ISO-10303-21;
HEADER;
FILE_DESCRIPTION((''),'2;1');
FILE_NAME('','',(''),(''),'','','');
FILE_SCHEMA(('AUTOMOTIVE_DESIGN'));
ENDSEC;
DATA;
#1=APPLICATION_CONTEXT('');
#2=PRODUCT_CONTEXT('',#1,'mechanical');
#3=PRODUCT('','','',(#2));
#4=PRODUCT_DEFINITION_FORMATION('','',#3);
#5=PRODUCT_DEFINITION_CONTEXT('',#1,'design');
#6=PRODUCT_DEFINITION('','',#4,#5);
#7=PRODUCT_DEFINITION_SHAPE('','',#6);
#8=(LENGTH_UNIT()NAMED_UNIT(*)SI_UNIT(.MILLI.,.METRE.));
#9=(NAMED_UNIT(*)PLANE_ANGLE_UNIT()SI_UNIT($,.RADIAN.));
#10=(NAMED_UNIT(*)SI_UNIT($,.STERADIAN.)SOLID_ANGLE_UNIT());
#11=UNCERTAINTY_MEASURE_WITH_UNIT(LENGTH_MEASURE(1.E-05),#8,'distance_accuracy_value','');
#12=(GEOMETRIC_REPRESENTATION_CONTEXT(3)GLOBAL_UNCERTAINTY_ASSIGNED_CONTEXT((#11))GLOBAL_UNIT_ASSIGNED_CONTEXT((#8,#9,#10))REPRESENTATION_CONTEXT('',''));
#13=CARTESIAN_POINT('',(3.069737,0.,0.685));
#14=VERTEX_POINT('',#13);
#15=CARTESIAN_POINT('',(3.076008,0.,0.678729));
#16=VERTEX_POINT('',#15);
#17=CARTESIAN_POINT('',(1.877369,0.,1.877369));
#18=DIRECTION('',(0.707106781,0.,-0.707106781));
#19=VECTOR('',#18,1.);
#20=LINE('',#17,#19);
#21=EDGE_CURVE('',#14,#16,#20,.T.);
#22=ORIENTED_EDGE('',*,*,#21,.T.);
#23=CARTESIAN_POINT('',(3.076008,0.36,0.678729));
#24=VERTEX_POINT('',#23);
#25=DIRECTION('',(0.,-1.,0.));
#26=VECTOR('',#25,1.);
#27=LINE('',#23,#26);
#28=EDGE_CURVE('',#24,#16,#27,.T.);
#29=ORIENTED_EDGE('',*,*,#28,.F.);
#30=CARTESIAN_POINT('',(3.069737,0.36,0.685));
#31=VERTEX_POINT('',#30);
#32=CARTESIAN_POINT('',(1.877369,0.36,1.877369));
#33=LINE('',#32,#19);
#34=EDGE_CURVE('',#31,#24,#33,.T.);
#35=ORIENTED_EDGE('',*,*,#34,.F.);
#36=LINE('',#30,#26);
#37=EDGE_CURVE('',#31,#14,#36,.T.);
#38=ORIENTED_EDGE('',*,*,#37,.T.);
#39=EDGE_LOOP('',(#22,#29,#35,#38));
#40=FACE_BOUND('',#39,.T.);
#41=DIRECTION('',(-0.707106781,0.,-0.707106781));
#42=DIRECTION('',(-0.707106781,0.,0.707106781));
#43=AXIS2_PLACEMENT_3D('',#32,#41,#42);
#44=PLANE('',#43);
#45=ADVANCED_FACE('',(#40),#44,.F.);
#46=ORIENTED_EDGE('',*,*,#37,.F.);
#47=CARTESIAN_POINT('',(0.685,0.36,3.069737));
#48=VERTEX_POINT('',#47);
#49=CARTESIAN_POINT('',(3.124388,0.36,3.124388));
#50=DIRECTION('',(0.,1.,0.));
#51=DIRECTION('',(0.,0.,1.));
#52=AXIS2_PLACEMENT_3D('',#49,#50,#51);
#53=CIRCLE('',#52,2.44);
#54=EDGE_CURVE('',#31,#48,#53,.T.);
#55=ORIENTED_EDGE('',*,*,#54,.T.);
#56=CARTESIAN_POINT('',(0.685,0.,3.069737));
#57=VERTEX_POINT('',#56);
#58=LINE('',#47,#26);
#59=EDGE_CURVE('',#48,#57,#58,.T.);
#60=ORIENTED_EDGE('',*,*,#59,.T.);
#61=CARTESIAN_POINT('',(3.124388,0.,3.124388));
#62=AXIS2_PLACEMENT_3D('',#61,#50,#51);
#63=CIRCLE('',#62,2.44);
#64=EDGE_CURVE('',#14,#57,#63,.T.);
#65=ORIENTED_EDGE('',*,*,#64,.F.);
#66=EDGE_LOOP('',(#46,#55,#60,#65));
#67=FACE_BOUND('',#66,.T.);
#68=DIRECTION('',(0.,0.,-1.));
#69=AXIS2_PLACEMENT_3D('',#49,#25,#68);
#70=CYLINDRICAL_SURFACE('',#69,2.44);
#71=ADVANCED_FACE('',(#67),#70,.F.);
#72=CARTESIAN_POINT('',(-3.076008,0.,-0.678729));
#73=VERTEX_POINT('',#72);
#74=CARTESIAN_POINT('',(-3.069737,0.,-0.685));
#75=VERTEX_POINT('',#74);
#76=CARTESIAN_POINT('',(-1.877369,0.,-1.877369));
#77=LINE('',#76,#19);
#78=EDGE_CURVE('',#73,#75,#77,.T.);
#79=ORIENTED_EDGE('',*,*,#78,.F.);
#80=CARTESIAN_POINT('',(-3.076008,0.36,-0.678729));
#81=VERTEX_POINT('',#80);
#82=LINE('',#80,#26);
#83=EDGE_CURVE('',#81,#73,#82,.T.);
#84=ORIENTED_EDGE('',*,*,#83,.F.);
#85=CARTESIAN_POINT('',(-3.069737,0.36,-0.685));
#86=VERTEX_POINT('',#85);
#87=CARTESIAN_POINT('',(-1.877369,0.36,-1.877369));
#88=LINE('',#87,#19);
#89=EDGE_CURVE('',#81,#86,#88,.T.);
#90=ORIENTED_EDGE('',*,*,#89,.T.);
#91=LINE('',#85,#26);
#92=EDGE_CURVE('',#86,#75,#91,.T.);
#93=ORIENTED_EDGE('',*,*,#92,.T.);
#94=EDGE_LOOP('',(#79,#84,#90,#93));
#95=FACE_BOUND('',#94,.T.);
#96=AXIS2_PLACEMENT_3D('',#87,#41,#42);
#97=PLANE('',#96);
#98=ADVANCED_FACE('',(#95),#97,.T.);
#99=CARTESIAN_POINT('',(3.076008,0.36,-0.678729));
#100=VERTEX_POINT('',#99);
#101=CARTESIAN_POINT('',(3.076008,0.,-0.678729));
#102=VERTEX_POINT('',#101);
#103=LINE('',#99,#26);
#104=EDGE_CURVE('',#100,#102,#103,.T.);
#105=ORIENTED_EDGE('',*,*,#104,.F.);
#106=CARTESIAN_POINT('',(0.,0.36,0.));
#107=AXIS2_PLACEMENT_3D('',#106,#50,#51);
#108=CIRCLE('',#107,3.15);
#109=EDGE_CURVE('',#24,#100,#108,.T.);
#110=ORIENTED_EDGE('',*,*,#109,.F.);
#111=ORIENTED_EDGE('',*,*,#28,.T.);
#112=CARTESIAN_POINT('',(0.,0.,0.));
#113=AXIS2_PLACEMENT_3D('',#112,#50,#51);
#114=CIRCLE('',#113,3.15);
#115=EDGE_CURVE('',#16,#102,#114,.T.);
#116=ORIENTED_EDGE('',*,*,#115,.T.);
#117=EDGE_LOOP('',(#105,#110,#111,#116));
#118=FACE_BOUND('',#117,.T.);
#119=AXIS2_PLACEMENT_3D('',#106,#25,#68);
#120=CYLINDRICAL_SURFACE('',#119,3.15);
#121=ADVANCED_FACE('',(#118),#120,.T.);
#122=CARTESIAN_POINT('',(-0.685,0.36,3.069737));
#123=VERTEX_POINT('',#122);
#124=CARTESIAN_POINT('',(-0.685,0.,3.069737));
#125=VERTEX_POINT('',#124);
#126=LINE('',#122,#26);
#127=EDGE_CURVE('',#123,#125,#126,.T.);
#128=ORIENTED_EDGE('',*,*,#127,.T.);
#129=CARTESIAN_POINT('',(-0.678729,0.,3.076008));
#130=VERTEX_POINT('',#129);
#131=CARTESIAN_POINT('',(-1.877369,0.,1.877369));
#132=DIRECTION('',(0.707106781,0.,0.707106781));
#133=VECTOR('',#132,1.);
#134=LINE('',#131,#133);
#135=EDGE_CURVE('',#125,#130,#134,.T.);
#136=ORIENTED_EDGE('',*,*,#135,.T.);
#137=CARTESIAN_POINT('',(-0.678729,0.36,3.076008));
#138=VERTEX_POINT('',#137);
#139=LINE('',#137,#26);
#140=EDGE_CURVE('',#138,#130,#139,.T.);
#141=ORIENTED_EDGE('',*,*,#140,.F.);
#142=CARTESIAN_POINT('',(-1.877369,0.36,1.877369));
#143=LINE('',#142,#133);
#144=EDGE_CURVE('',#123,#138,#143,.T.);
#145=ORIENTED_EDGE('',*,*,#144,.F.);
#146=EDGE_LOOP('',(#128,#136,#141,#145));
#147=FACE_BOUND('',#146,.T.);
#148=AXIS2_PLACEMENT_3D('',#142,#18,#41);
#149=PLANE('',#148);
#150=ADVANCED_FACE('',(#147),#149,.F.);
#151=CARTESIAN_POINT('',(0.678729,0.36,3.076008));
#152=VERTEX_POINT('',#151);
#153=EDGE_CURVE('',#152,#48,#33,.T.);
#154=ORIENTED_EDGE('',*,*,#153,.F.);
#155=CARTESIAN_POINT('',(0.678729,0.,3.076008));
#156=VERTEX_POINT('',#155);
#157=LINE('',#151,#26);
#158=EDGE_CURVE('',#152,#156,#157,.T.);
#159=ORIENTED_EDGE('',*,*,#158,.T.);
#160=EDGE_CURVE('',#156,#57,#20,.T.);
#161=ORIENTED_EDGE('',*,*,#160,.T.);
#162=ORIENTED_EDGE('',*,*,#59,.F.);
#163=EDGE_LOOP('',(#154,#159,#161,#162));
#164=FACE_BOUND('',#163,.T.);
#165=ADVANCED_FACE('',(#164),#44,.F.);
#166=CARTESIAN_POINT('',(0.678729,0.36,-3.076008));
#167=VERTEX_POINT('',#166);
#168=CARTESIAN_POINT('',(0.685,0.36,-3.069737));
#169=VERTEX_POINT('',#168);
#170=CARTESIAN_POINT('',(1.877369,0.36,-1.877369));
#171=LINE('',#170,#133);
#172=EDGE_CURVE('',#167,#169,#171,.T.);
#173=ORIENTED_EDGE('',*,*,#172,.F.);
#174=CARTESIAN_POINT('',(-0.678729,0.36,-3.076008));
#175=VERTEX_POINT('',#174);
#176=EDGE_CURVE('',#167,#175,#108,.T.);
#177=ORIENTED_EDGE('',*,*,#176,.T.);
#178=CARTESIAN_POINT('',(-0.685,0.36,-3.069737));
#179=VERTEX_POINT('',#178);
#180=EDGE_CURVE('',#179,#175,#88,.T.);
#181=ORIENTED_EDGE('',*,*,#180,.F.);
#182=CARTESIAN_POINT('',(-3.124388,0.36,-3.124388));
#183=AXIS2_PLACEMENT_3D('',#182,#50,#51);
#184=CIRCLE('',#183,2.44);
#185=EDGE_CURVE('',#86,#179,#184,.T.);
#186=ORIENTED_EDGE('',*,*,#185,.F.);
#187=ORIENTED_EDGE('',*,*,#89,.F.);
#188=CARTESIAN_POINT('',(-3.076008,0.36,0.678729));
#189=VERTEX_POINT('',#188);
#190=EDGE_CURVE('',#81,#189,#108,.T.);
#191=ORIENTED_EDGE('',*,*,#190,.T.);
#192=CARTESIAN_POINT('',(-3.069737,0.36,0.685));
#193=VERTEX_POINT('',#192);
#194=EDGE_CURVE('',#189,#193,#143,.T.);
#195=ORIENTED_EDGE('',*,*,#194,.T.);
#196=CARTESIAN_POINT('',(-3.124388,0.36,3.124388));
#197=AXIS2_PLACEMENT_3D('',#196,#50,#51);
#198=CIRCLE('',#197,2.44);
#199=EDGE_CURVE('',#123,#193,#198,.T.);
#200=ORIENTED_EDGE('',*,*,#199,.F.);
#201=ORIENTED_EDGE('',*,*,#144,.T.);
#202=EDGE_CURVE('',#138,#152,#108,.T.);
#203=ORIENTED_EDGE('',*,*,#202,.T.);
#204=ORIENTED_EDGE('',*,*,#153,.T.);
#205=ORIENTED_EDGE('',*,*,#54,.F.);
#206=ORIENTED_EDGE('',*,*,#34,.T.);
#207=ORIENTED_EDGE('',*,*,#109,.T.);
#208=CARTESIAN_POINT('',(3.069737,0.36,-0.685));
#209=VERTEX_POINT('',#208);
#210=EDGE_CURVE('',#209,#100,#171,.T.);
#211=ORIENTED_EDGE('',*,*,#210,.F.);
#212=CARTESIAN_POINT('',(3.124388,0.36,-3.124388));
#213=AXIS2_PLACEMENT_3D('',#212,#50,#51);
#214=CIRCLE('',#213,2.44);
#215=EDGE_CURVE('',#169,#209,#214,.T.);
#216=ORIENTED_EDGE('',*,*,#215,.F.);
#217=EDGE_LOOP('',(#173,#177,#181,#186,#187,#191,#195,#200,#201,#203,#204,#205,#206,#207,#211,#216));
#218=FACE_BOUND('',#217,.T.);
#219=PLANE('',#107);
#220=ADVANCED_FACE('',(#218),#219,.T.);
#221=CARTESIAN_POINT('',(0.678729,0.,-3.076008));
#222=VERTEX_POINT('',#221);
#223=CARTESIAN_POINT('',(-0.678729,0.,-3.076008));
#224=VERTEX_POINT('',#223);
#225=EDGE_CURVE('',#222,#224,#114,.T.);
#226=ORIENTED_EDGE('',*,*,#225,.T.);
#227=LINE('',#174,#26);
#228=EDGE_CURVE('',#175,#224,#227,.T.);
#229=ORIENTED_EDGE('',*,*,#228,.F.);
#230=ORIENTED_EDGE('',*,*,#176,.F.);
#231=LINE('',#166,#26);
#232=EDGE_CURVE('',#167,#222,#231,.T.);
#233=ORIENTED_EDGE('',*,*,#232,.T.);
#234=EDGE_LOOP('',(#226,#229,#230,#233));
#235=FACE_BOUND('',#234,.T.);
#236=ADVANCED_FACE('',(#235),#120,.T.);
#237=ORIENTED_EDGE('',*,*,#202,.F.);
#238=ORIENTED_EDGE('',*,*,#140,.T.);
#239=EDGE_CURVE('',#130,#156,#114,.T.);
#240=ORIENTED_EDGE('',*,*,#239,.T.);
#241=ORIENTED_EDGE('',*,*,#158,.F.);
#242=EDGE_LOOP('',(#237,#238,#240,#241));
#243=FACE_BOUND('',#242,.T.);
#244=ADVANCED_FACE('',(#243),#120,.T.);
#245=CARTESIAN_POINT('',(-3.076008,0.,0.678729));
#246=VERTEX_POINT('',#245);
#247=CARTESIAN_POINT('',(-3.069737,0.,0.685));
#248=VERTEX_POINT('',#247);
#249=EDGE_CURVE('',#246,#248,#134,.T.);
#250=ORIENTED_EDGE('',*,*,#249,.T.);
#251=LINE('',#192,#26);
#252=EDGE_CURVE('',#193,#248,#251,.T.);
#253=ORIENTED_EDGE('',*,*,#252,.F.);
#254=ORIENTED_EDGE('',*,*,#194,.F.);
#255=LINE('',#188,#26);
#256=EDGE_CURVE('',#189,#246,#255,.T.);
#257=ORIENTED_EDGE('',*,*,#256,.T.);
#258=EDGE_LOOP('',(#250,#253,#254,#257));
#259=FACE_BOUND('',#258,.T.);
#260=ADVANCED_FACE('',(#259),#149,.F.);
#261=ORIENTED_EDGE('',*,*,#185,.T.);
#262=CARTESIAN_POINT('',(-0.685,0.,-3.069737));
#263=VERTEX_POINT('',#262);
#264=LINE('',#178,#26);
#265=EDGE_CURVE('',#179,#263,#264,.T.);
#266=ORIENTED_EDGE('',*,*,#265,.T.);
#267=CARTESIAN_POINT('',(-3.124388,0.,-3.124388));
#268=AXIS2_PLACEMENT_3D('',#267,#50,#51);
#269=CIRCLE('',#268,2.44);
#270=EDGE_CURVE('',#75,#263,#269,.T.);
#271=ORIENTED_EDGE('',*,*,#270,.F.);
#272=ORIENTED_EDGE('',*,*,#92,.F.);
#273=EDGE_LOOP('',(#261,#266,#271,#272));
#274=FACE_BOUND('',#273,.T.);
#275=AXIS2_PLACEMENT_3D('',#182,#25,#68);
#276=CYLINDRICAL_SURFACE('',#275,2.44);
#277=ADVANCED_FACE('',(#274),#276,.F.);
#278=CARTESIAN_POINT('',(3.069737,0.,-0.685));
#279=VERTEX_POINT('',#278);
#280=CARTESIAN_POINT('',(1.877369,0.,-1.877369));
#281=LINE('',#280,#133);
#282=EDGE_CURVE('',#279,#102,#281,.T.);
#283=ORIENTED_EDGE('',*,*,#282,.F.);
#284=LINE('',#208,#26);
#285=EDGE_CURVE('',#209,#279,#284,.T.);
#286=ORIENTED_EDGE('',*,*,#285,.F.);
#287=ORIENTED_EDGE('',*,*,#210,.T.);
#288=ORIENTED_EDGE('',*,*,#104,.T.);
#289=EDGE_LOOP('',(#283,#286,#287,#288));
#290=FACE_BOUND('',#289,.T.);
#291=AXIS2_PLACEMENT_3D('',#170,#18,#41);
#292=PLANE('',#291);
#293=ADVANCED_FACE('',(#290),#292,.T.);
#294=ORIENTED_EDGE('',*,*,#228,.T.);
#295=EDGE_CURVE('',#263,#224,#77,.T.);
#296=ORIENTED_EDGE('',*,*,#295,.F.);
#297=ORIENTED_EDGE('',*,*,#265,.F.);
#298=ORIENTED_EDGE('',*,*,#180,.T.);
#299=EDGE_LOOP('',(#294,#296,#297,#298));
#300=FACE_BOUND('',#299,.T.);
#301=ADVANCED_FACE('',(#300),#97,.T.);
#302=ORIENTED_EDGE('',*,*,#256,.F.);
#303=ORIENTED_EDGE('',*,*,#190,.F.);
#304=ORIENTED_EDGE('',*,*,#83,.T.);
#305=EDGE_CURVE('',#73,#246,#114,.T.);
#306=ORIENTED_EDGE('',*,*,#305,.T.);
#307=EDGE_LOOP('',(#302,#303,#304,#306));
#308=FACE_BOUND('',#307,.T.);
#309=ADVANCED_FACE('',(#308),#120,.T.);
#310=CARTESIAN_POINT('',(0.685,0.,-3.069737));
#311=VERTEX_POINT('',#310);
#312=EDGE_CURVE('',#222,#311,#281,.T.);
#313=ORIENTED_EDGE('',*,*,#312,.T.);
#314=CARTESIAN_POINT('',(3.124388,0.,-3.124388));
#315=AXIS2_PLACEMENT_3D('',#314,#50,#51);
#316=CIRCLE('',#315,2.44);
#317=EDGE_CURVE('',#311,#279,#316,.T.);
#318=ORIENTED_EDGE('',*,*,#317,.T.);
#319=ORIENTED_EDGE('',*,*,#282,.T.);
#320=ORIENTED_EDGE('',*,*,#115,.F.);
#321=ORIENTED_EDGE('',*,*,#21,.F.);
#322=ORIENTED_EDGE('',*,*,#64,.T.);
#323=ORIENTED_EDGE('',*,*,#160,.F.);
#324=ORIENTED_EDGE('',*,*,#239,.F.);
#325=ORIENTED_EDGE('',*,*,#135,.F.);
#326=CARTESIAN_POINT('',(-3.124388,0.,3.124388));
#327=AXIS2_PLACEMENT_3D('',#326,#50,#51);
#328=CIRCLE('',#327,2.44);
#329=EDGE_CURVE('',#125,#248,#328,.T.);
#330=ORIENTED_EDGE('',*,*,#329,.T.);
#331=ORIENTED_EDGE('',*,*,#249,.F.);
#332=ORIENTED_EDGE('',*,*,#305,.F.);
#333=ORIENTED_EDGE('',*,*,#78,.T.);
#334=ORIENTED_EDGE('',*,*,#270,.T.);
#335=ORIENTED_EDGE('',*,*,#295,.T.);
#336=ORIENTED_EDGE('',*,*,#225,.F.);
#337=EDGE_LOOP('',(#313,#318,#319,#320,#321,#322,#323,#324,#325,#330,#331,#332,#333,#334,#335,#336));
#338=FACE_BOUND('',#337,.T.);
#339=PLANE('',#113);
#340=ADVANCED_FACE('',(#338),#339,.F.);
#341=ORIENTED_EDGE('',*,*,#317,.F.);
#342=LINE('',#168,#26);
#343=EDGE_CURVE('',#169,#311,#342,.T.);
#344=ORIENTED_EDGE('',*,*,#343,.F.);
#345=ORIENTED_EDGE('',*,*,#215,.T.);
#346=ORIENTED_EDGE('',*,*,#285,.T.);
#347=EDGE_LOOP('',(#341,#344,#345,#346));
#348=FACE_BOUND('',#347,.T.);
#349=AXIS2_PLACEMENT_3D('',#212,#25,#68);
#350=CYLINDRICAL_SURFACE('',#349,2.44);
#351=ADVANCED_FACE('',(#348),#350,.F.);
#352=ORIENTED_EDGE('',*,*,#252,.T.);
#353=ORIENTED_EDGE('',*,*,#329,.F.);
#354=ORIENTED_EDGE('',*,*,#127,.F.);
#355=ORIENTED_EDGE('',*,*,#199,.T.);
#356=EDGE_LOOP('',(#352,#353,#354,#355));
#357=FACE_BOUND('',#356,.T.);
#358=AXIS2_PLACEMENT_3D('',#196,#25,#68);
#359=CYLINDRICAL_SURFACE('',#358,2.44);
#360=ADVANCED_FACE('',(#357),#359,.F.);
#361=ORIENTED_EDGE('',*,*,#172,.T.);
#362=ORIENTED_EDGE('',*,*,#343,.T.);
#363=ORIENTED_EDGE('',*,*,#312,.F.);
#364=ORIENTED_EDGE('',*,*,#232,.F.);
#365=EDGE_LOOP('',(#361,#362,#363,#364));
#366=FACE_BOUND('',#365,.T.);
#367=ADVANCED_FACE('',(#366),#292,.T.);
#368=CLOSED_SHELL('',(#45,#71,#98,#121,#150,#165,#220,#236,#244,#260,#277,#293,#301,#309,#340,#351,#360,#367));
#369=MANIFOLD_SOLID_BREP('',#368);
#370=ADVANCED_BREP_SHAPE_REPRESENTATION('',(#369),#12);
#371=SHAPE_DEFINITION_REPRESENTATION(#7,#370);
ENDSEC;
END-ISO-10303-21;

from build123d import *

# Parameters (mm, degrees)
BOSS_EXTRUDE1_DEPTH = 0.36


with BuildPart() as part:
    # Sketch1 → Boss-Extrude1 (new body)
    with BuildSketch(Plane(origin=(0, 0, 0), x_dir=(1, 0, 0), z_dir=(0, 1, 0))):
        with BuildLine():
            ThreePointArc((-3.076008358, 0.67872865), (-3.15, 0), (-3.076008358, -0.67872865))
            Line((-3.076008358, -0.67872865), (-3.069737008, -0.685))
            ThreePointArc((-3.069737008, -0.685), (-1.399047345, -1.399047345), (-0.685, -3.069737008))
            Line((-0.685, -3.069737008), (-0.67872865, -3.076008358))
            ThreePointArc((-0.67872865, -3.076008358), (0, -3.15), (0.67872865, -3.076008358))
            Line((0.67872865, -3.076008358), (0.685, -3.069737008))
            ThreePointArc((0.685, -3.069737008), (1.399047345, -1.399047345), (3.069737008, -0.685))
            Line((3.069737008, -0.685), (3.076008358, -0.67872865))
            ThreePointArc((3.076008358, -0.67872865), (3.15, 0), (3.076008358, 0.67872865))
            Line((3.076008358, 0.67872865), (3.069737008, 0.685))
            ThreePointArc((3.069737008, 0.685), (1.399047345, 1.399047345), (0.685, 3.069737008))
            Line((0.685, 3.069737008), (0.67872865, 3.076008358))
            ThreePointArc((0.67872865, 3.076008358), (0, 3.15), (-0.67872865, 3.076008358))
            Line((-0.67872865, 3.076008358), (-0.685, 3.069737008))
            ThreePointArc((-0.685, 3.069737008), (-1.399047345, 1.399047345), (-3.069737008, 0.685))
            Line((-3.069737008, 0.685), (-3.076008358, 0.67872865))
        make_face()
    extrude(amount=BOSS_EXTRUDE1_DEPTH)


solid = part.part
